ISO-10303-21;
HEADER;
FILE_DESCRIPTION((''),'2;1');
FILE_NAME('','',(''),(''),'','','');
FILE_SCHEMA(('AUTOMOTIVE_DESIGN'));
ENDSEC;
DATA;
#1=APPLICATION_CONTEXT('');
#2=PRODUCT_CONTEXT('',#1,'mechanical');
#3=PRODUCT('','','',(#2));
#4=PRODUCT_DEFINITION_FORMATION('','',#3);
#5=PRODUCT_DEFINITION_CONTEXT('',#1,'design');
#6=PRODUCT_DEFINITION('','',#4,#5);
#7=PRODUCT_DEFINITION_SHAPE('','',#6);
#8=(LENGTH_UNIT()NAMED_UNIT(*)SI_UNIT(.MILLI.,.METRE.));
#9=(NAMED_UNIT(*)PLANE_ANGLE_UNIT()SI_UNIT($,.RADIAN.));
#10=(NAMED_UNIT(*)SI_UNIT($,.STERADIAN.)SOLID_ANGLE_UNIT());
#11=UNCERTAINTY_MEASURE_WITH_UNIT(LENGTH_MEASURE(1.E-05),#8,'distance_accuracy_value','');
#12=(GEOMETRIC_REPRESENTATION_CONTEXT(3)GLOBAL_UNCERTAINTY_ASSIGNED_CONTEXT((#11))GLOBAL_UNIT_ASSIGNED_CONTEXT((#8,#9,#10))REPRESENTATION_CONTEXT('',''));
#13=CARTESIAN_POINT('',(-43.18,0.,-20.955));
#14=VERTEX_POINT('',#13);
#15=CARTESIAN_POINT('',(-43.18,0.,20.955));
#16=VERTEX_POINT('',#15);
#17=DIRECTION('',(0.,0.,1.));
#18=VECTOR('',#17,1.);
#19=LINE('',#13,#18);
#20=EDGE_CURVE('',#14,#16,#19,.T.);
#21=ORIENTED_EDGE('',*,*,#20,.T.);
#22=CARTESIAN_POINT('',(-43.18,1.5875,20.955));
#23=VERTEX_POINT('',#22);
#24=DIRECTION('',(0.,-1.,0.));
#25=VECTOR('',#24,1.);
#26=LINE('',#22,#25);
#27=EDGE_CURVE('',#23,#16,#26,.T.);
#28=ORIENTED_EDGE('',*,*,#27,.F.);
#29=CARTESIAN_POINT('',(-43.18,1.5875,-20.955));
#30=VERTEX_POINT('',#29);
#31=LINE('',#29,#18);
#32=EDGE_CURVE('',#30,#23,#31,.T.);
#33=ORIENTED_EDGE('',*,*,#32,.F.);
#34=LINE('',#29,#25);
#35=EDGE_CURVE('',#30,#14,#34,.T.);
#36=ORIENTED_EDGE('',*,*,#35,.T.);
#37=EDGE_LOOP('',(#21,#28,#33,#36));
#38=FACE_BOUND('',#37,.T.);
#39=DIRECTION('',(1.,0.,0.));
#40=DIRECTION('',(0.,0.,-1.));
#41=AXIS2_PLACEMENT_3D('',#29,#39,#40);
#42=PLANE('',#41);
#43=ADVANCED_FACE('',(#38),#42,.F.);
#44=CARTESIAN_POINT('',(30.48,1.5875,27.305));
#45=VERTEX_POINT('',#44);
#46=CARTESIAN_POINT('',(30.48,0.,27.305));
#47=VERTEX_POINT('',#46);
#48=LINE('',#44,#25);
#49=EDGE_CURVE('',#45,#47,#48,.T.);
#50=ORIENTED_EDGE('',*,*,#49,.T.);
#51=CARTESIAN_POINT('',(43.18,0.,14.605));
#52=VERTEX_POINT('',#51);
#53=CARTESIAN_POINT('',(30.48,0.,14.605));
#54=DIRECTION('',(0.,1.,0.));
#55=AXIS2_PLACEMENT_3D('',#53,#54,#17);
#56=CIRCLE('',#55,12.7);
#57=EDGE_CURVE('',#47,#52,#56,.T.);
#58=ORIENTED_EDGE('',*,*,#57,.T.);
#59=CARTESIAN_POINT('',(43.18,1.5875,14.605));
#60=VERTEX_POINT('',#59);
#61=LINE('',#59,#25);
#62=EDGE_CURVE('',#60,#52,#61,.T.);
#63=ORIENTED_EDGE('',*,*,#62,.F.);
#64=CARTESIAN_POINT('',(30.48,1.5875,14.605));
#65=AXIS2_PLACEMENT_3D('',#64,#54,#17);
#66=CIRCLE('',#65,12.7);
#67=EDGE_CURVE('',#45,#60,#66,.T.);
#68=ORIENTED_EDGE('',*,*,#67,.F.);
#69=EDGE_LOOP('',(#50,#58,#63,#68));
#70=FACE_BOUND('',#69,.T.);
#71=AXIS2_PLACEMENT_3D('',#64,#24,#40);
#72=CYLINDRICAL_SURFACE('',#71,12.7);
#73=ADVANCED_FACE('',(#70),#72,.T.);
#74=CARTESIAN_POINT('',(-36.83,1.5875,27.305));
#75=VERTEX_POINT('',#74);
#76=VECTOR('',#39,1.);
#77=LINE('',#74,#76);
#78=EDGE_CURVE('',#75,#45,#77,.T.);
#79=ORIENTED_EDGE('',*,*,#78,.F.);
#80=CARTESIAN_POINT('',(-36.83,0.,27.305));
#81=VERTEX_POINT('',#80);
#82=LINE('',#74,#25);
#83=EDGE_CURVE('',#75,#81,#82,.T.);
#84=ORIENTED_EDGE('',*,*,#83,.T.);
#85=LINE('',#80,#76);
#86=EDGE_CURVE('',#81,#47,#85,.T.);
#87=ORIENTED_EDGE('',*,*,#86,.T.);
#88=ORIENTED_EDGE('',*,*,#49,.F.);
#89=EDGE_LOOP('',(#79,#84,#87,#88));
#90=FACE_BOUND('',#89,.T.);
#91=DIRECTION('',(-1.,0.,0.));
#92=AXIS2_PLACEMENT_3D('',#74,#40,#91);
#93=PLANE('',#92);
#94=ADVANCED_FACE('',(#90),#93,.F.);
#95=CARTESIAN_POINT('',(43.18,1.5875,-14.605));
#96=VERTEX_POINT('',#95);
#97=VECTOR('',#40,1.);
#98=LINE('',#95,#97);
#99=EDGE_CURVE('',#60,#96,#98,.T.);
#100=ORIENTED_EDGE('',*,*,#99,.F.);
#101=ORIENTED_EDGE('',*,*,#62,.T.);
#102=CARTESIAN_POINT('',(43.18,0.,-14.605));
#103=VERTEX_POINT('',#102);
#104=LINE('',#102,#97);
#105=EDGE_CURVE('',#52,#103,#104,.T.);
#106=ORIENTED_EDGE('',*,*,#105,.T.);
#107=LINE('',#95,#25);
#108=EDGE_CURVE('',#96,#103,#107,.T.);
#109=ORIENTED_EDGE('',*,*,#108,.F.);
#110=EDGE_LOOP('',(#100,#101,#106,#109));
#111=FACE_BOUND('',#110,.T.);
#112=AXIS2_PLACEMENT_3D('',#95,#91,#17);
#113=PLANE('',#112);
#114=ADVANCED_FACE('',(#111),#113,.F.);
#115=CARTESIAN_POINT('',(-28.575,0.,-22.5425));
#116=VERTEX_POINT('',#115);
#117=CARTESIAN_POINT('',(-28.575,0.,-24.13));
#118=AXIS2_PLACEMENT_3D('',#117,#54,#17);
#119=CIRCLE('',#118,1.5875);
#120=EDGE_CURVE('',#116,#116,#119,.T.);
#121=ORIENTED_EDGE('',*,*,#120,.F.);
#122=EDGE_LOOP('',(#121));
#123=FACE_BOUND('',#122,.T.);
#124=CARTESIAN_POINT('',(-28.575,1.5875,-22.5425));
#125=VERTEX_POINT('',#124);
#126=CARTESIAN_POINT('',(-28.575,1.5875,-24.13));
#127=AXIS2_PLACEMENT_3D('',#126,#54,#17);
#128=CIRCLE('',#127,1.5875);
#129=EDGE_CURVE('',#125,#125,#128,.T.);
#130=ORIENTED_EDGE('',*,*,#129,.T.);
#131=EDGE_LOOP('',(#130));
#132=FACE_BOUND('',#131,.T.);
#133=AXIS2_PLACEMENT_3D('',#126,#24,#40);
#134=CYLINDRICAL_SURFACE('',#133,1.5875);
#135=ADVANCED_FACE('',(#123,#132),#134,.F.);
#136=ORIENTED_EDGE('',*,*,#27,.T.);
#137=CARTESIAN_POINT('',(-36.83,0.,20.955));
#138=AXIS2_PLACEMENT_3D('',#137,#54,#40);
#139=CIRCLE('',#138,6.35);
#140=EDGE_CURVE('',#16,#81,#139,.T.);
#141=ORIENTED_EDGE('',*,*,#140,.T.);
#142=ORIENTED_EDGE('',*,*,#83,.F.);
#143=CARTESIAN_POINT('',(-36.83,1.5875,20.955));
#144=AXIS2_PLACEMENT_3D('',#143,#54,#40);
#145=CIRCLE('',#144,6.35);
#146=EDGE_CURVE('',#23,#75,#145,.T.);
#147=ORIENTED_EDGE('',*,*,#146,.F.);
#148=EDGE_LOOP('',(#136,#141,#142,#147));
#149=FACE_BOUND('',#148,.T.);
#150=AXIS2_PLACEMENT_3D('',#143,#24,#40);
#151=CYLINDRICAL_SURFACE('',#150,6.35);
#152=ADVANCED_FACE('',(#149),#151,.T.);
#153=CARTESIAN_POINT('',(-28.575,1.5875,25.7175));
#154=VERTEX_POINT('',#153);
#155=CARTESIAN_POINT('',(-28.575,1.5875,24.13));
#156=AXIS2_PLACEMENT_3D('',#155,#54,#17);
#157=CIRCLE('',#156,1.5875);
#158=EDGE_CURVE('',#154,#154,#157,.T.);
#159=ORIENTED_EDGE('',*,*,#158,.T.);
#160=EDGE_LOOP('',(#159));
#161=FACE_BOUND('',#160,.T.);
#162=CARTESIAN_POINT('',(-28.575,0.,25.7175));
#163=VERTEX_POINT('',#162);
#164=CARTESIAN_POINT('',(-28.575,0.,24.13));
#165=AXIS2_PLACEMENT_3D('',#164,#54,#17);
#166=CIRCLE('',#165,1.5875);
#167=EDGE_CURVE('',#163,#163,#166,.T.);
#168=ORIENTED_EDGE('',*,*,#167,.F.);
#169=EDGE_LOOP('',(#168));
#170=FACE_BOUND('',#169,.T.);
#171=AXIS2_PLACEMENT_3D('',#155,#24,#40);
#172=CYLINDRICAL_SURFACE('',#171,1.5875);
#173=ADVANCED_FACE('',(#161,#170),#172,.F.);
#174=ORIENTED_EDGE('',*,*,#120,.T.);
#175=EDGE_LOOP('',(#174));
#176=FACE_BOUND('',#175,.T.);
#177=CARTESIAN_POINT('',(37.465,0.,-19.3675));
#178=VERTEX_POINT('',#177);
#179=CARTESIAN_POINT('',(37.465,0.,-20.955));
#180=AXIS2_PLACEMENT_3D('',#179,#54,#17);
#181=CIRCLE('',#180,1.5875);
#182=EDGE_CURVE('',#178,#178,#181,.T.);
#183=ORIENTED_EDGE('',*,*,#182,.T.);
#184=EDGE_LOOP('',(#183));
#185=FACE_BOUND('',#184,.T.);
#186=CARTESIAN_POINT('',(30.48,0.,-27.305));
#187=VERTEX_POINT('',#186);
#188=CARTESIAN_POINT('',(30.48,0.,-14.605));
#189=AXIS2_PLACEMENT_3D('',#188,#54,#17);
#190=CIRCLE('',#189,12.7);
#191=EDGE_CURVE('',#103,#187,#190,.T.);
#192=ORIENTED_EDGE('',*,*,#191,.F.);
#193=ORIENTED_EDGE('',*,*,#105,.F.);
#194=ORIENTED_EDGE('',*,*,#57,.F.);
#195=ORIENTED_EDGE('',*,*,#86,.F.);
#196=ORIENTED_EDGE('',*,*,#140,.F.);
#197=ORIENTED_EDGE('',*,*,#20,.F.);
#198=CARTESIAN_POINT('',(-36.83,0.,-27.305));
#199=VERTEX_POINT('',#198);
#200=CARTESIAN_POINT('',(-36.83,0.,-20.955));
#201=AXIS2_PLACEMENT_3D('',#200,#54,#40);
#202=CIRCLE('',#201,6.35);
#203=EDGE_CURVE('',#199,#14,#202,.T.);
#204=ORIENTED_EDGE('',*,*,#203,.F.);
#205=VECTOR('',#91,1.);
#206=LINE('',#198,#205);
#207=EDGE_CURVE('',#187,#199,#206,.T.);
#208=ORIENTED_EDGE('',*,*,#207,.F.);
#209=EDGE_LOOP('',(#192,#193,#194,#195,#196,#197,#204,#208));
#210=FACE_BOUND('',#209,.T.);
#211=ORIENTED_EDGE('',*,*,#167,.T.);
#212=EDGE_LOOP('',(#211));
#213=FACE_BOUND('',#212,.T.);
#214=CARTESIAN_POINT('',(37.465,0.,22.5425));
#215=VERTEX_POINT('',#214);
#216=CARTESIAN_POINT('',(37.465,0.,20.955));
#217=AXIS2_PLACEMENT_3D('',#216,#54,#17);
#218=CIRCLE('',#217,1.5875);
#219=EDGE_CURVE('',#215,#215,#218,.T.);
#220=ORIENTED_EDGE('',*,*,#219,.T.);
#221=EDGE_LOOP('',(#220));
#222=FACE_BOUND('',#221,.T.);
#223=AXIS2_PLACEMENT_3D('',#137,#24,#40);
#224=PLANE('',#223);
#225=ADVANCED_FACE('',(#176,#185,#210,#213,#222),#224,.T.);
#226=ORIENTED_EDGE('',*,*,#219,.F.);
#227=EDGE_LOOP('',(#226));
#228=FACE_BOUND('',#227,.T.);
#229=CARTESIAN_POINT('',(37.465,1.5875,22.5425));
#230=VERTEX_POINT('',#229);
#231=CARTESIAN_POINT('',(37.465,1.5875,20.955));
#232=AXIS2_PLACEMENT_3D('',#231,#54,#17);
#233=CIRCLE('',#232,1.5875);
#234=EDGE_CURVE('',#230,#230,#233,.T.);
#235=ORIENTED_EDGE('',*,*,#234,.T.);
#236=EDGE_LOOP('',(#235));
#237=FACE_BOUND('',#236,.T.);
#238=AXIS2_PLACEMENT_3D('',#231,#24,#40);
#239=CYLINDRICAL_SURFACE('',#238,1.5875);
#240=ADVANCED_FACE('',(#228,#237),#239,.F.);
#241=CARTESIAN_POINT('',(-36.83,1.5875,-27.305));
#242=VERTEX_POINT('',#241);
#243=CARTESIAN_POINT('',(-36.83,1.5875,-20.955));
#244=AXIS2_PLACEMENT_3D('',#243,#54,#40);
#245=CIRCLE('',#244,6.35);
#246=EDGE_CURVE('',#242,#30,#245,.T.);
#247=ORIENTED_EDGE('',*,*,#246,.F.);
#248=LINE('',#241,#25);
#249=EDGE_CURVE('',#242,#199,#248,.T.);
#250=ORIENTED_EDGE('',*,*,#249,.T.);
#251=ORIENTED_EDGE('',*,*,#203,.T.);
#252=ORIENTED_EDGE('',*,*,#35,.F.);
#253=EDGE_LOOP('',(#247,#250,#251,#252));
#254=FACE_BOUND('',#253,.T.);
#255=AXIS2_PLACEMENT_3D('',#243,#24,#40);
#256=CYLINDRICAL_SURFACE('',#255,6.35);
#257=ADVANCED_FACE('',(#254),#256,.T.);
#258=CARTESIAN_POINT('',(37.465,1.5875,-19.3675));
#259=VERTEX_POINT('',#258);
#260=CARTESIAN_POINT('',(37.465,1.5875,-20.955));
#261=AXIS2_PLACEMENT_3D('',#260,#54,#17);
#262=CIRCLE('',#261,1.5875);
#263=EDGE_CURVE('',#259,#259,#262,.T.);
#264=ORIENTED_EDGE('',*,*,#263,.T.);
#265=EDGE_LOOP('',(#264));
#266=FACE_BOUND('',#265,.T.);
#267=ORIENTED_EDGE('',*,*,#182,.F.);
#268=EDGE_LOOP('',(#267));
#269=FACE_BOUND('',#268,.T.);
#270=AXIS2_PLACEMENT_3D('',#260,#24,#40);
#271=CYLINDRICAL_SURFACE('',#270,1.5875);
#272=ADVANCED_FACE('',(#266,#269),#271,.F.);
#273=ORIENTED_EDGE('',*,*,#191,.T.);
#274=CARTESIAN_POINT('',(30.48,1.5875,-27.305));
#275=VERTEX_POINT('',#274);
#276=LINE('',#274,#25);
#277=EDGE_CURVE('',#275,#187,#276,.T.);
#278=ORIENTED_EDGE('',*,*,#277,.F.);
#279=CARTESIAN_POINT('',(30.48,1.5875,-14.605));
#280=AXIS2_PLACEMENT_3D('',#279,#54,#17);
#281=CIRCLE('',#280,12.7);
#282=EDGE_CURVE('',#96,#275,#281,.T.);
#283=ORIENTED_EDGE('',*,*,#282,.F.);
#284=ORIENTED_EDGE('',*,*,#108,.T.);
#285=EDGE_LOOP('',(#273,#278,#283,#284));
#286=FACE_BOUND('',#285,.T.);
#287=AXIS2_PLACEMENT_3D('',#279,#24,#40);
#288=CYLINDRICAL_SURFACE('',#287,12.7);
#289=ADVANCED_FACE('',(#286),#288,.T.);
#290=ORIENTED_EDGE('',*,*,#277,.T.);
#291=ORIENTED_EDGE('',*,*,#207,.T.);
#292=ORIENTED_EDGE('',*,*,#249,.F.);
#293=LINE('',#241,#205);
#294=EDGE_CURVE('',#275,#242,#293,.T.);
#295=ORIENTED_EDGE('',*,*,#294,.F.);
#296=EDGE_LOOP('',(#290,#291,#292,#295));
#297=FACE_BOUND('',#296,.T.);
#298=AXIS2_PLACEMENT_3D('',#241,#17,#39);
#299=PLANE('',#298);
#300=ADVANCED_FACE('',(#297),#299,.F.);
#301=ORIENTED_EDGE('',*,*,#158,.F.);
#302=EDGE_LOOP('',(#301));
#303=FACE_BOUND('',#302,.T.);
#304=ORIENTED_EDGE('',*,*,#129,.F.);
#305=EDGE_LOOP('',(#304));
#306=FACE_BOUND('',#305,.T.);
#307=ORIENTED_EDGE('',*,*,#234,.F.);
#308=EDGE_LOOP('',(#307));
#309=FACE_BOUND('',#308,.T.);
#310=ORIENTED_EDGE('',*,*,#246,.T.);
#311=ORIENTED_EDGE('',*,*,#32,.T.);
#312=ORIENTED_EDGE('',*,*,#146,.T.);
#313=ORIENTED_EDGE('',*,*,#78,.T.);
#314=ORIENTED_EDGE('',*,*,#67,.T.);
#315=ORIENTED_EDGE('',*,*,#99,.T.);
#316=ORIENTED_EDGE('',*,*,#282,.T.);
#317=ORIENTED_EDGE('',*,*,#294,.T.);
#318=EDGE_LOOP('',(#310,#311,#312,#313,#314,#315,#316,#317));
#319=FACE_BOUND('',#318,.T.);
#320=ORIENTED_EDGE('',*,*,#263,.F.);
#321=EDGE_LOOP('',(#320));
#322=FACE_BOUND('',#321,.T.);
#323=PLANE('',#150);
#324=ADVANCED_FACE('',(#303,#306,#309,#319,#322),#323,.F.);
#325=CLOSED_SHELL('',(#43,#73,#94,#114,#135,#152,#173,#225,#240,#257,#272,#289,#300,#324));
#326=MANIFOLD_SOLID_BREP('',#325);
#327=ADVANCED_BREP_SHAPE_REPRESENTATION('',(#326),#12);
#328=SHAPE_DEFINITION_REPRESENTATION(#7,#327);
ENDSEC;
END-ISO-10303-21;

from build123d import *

# Parameters (mm, degrees)
SKETCH1_R           = 1.5875
BOSS_EXTRUDE1_DEPTH = 1.5875


with BuildPart() as part:
    # Sketch1 → Boss-Extrude1 (new body)
    with BuildSketch(Plane(origin=(0, 0, 0), x_dir=(1, 0, 0), z_dir=(0, 1, 0))):
        with BuildLine():
            Line((-36.83, 27.305), (30.48, 27.305))
            ThreePointArc((30.48, 27.305), (39.460256121, 23.585256121), (43.18, 14.605))
            Line((43.18, 14.605), (43.18, -14.605))
            ThreePointArc((43.18, -14.605), (39.460256121, -23.585256121), (30.48, -27.305))
            Line((30.48, -27.305), (-36.83, -27.305))
            ThreePointArc((-36.83, -27.305), (-41.320128061, -25.445128061), (-43.18, -20.955))
            Line((-43.18, -20.955), (-43.18, 20.955))
            ThreePointArc((-43.18, 20.955), (-41.320128061, 25.445128061), (-36.83, 27.305))
        make_face()
        with Locations(Location((-28.575, 24.13, 0), (0, 0, 270))):
            Circle(SKETCH1_R, mode=Mode.SUBTRACT)
        with Locations(Location((-28.575, -24.13, 0), (0, 0, 270))):
            Circle(SKETCH1_R, mode=Mode.SUBTRACT)
        with Locations(Location((37.465, -20.955, 0), (0, 0, 270))):
            Circle(SKETCH1_R, mode=Mode.SUBTRACT)
        with Locations(Location((37.465, 20.955, 0), (0, 0, 270))):
            Circle(SKETCH1_R, mode=Mode.SUBTRACT)
    extrude(amount=BOSS_EXTRUDE1_DEPTH)


solid = part.part
